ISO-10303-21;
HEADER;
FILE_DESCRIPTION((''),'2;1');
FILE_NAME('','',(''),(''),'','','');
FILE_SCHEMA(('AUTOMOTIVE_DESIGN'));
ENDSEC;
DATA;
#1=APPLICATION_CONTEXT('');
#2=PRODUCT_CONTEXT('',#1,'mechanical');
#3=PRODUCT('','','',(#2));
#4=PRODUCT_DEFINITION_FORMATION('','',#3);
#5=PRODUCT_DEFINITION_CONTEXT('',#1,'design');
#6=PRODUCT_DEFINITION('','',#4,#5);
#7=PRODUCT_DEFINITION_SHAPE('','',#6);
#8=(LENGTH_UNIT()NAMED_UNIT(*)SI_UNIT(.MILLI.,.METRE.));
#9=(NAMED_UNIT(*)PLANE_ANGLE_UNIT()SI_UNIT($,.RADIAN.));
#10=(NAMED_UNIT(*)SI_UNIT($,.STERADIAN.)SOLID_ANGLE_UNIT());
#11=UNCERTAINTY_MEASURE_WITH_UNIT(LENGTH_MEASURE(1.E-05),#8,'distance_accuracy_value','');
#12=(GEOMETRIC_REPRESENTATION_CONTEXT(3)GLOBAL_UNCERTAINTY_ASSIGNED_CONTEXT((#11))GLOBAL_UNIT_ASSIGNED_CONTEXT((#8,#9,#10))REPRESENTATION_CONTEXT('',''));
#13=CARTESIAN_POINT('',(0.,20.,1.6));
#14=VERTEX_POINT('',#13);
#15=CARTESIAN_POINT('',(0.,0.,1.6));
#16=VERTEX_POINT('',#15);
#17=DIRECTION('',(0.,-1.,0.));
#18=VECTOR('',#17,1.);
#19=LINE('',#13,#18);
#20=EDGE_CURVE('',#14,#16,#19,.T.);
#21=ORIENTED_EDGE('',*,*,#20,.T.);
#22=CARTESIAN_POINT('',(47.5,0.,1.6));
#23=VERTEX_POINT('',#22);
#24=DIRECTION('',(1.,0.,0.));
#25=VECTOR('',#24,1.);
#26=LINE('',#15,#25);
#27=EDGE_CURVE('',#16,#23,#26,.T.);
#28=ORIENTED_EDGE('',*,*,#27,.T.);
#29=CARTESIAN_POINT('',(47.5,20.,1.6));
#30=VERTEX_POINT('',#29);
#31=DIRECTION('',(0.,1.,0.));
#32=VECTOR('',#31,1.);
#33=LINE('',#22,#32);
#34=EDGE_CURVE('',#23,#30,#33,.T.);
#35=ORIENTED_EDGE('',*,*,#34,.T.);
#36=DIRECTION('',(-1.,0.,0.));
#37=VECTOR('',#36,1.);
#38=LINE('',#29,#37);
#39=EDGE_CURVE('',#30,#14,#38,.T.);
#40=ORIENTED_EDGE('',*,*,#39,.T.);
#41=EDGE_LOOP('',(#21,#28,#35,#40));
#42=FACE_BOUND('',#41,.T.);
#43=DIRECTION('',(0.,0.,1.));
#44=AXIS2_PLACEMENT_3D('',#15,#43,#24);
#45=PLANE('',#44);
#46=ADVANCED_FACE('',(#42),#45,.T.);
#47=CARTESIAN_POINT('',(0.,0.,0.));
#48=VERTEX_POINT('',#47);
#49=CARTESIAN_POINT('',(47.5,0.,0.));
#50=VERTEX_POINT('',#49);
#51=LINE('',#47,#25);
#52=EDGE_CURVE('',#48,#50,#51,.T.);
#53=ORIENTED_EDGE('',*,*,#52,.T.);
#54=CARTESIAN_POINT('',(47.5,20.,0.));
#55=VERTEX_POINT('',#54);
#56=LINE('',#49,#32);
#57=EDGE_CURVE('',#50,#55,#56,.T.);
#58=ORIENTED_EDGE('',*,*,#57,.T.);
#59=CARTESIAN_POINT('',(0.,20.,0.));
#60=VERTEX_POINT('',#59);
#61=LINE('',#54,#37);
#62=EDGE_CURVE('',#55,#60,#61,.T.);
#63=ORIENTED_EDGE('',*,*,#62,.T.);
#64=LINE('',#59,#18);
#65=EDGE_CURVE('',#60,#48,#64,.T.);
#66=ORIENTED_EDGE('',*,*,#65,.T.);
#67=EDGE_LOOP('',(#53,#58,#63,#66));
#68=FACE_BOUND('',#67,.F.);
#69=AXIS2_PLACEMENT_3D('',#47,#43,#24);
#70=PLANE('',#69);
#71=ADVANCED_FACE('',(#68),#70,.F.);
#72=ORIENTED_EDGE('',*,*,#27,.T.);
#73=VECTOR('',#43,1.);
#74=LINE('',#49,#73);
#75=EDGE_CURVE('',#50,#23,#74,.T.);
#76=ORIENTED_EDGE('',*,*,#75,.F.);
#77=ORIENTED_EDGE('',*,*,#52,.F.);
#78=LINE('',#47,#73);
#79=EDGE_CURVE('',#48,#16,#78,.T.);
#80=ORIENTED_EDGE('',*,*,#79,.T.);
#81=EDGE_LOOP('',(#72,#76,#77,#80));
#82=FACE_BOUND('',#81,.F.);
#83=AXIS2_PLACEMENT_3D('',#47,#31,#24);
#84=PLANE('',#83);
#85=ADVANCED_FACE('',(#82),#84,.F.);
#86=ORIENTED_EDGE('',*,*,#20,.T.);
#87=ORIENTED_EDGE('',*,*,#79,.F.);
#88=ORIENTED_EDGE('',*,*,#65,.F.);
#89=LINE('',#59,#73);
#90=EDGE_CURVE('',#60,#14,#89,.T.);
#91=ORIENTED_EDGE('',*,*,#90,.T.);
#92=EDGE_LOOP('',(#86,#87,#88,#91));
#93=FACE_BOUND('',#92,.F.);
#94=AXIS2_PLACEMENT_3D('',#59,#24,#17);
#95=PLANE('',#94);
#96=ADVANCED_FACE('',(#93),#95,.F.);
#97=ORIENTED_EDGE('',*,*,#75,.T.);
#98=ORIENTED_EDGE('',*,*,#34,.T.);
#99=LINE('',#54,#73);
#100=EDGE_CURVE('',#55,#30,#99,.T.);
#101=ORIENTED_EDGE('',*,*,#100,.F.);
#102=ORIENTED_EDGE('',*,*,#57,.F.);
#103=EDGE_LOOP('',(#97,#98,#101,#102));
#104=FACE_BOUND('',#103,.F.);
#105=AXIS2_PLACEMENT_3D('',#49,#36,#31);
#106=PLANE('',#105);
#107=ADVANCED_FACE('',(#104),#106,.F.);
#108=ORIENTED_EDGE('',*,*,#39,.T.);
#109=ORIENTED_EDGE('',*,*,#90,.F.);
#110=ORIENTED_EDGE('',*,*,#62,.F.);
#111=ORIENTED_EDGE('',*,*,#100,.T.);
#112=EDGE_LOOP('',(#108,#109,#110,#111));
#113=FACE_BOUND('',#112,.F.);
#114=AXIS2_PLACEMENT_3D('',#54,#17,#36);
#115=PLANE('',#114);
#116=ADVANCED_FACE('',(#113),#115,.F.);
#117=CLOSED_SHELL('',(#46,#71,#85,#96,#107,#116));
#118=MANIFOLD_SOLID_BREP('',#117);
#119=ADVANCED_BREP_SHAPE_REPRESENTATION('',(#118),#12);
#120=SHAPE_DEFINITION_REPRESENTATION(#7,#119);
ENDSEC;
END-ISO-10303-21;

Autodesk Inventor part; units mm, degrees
ref_plane "YZ Plane" through (0, 0, 0) normal (1, 0, 0) x (0, 1, 0)
ref_plane "XZ Plane" through (0, 0, 0) normal (0, 1, 0) x (-1, 0, 0)
ref_plane "XY Plane" through (0, 0, 0) normal (0, 0, 1) x (1, 0, 0)
sketch "Sketch1" plane through (0, 0, 0) normal (0, 0, 1) x (1, 0, 0)
  line L0 (0, 0) -> (47.5, 0)
  line L1 (47.5, 0) -> (47.5, 20)
  line L2 (47.5, 20) -> (0, 20)
  line L3 (0, 20) -> (0, 0)
  dimension "d0" = 47.5
  dimension "d1" = 20
extrude "Extrusion1" add sketch "Sketch1" along normal blind 1.6
properties part number "battery_protection"
